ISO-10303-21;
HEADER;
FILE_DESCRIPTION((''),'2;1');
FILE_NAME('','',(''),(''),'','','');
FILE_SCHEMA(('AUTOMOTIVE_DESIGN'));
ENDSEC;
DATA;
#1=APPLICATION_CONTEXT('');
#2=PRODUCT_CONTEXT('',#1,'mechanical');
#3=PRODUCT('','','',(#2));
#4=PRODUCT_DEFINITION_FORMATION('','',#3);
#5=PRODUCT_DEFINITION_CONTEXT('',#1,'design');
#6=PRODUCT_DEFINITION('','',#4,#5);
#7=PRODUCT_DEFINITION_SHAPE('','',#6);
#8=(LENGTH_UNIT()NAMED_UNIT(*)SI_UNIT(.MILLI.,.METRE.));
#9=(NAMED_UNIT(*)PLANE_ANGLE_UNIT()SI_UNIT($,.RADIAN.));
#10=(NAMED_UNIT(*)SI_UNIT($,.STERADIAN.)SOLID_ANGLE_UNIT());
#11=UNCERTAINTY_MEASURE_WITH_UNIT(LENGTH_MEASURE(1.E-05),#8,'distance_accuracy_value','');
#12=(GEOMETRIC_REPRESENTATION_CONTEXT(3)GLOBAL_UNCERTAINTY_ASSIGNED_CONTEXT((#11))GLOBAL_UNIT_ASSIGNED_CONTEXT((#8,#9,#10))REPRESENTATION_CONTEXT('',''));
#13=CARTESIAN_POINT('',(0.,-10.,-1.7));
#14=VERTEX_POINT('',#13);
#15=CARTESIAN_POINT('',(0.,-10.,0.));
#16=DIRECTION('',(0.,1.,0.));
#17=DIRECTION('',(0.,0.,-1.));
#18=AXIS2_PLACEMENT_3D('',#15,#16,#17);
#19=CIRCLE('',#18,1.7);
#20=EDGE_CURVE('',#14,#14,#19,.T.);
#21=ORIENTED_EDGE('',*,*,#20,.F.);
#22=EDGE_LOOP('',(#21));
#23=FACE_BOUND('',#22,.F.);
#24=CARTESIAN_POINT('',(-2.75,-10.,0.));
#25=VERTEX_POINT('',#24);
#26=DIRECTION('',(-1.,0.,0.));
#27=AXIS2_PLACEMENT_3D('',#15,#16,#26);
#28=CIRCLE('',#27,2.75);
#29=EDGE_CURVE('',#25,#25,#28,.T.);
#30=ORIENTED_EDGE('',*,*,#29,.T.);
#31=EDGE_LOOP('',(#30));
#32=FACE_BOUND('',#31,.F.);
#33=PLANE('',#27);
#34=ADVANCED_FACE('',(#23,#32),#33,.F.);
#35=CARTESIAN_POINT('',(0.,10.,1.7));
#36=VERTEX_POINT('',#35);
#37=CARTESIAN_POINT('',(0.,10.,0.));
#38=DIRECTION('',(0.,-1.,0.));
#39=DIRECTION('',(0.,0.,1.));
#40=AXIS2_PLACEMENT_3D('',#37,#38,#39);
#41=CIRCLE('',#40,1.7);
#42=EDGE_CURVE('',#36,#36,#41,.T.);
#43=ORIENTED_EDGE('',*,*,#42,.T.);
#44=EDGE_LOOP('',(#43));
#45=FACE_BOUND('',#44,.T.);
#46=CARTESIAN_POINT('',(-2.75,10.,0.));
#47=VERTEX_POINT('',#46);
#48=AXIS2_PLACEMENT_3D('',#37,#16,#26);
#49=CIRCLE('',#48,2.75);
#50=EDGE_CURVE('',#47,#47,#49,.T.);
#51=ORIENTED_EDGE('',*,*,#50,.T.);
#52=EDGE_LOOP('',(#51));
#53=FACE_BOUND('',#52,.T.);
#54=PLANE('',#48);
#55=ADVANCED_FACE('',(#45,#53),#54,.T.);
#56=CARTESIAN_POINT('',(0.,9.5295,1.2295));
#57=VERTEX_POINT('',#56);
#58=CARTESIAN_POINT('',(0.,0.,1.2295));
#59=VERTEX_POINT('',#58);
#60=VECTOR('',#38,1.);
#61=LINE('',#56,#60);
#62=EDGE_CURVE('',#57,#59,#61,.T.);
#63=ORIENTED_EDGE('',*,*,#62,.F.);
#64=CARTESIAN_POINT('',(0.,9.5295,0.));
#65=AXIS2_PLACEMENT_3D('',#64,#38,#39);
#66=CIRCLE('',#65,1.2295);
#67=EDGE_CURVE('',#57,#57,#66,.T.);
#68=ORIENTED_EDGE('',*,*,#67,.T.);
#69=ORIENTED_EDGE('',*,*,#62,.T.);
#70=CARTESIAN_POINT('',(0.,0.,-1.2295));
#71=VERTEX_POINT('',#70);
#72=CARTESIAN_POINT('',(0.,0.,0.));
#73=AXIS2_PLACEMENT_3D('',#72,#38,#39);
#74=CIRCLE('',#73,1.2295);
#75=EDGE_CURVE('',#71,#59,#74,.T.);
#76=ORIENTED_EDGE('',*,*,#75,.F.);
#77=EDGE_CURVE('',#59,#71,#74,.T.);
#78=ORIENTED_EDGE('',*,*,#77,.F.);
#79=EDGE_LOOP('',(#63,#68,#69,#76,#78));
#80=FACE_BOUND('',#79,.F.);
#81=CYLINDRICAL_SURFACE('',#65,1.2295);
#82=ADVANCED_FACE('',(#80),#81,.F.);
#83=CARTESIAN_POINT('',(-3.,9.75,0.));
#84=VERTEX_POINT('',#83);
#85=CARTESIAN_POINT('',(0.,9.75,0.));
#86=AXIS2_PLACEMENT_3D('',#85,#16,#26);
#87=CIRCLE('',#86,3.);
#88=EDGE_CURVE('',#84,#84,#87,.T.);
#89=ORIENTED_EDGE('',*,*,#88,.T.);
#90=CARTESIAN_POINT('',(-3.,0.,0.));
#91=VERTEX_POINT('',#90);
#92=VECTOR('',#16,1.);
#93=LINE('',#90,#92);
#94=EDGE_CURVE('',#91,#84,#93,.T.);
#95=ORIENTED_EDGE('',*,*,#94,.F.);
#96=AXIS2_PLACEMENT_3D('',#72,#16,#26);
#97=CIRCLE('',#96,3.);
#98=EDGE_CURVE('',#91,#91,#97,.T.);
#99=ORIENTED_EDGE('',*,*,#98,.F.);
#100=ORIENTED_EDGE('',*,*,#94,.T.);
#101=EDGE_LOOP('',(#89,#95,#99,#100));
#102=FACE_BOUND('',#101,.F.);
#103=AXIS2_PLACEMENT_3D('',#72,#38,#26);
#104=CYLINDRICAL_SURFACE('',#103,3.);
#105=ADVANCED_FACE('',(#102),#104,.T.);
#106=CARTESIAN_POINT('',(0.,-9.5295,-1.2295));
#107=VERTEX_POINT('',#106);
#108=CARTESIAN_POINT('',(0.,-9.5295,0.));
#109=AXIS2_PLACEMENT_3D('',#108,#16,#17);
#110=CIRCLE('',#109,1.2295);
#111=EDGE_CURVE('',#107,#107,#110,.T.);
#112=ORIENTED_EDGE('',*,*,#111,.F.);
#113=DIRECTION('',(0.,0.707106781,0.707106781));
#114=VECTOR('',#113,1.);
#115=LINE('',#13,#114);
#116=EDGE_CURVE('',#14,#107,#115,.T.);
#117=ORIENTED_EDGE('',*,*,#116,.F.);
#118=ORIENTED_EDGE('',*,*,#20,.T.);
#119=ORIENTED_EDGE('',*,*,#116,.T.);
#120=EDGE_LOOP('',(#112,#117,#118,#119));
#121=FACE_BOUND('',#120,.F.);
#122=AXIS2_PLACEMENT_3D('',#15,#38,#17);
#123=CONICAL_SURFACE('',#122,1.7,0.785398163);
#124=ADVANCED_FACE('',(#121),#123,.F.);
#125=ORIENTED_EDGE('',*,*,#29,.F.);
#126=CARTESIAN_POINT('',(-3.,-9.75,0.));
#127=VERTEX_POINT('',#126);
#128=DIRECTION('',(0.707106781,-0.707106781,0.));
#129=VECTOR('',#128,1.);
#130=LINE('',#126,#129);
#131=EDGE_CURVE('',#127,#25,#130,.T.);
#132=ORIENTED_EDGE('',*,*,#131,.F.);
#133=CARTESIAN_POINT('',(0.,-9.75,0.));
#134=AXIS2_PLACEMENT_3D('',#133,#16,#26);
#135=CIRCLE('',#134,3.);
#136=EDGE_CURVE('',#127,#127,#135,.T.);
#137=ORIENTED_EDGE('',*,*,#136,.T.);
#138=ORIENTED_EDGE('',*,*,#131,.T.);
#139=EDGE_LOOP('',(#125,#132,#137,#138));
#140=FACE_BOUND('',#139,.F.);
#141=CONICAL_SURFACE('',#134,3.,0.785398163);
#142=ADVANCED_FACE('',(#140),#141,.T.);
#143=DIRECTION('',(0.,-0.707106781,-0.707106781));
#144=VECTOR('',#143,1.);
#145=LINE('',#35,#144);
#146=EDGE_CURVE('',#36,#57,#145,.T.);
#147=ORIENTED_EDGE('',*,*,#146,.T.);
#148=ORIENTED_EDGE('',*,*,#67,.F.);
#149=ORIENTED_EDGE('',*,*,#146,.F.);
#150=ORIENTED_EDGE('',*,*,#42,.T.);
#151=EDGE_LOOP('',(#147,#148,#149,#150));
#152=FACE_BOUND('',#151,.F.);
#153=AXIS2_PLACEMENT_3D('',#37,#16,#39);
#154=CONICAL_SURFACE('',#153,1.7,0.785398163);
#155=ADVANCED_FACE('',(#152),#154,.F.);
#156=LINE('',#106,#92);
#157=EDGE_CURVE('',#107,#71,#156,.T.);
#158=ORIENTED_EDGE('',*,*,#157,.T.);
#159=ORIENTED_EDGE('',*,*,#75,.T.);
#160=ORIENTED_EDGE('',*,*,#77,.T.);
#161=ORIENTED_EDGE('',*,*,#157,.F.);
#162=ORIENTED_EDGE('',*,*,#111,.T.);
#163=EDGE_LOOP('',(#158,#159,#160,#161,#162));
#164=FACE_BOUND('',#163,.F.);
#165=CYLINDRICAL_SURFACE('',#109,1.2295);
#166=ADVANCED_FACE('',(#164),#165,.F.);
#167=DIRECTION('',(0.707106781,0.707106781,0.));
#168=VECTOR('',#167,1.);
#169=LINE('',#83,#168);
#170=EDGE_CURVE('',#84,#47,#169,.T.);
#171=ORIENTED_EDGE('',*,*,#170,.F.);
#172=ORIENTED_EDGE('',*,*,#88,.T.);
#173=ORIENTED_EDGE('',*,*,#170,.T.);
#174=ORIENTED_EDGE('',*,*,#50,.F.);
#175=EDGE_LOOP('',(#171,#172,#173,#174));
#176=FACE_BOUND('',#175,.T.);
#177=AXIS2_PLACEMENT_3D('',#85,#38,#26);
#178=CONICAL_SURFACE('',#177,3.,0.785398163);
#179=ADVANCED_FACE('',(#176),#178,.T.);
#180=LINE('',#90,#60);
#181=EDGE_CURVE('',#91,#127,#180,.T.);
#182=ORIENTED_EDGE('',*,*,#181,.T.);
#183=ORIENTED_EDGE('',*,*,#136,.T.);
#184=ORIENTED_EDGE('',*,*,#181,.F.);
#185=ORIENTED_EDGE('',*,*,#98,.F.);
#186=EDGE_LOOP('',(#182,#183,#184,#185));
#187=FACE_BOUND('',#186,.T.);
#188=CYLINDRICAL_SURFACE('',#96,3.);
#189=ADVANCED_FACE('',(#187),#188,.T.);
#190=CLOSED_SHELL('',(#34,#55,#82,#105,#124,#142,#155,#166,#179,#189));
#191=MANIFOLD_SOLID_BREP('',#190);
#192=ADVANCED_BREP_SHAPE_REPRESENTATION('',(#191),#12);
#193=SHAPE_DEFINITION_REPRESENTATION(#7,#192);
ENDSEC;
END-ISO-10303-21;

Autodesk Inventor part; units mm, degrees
ref_plane "YZ Plane" through (0, 0, 0) normal (1, 0, 0) x (0, 1, 0)
ref_plane "XZ Plane" through (0, 0, 0) normal (0, 1, 0) x (-1, 0, 0)
ref_plane "XY Plane" through (0, 0, 0) normal (0, 0, 1) x (1, 0, 0)
sketch "スケッチ1" plane through (0, 0, 0) normal (0, 1, 0) x (-1, 0, 0)
  circle A0 centre (0, 0) radius 3
  dimension "d0" = 6
extrude "押し出し1" add sketch "スケッチ1" along normal mid plane 20
sketch "スケッチ2" plane through (0, 10, 0) normal (0, 1, 0) x (1, 0, 0)
  point P0 (0, 0)
  point P1 (0, 0)
hole "穴1" at (0, 10, 0) direction (0, -1, 0) diameter 2.459 depth 10 countersink diameter 3.4 countersink angle 90 thread size "M3x0.5" class "6H" standard "ISO Metric profile"
sketch "スケッチ3" plane through (0, -10, 0) normal (0, -1, 0) x (1, 0, 0)
  point P0 (0, 0)
  point P1 (0, 0)
hole "穴2" at (0, -10, 0) direction (0, 1, 0) diameter 2.459 depth 10 countersink diameter 3.4 countersink angle 90 thread size "M3x0.5" class "6H" standard "ISO Metric profile"
chamfer "面取り1" distance 0.25 angle 45 2 edges at (3, -10, 0) (3, 10, 0)
properties part number "Spacer_M3D6L60" material "アルミニウム 6061"
